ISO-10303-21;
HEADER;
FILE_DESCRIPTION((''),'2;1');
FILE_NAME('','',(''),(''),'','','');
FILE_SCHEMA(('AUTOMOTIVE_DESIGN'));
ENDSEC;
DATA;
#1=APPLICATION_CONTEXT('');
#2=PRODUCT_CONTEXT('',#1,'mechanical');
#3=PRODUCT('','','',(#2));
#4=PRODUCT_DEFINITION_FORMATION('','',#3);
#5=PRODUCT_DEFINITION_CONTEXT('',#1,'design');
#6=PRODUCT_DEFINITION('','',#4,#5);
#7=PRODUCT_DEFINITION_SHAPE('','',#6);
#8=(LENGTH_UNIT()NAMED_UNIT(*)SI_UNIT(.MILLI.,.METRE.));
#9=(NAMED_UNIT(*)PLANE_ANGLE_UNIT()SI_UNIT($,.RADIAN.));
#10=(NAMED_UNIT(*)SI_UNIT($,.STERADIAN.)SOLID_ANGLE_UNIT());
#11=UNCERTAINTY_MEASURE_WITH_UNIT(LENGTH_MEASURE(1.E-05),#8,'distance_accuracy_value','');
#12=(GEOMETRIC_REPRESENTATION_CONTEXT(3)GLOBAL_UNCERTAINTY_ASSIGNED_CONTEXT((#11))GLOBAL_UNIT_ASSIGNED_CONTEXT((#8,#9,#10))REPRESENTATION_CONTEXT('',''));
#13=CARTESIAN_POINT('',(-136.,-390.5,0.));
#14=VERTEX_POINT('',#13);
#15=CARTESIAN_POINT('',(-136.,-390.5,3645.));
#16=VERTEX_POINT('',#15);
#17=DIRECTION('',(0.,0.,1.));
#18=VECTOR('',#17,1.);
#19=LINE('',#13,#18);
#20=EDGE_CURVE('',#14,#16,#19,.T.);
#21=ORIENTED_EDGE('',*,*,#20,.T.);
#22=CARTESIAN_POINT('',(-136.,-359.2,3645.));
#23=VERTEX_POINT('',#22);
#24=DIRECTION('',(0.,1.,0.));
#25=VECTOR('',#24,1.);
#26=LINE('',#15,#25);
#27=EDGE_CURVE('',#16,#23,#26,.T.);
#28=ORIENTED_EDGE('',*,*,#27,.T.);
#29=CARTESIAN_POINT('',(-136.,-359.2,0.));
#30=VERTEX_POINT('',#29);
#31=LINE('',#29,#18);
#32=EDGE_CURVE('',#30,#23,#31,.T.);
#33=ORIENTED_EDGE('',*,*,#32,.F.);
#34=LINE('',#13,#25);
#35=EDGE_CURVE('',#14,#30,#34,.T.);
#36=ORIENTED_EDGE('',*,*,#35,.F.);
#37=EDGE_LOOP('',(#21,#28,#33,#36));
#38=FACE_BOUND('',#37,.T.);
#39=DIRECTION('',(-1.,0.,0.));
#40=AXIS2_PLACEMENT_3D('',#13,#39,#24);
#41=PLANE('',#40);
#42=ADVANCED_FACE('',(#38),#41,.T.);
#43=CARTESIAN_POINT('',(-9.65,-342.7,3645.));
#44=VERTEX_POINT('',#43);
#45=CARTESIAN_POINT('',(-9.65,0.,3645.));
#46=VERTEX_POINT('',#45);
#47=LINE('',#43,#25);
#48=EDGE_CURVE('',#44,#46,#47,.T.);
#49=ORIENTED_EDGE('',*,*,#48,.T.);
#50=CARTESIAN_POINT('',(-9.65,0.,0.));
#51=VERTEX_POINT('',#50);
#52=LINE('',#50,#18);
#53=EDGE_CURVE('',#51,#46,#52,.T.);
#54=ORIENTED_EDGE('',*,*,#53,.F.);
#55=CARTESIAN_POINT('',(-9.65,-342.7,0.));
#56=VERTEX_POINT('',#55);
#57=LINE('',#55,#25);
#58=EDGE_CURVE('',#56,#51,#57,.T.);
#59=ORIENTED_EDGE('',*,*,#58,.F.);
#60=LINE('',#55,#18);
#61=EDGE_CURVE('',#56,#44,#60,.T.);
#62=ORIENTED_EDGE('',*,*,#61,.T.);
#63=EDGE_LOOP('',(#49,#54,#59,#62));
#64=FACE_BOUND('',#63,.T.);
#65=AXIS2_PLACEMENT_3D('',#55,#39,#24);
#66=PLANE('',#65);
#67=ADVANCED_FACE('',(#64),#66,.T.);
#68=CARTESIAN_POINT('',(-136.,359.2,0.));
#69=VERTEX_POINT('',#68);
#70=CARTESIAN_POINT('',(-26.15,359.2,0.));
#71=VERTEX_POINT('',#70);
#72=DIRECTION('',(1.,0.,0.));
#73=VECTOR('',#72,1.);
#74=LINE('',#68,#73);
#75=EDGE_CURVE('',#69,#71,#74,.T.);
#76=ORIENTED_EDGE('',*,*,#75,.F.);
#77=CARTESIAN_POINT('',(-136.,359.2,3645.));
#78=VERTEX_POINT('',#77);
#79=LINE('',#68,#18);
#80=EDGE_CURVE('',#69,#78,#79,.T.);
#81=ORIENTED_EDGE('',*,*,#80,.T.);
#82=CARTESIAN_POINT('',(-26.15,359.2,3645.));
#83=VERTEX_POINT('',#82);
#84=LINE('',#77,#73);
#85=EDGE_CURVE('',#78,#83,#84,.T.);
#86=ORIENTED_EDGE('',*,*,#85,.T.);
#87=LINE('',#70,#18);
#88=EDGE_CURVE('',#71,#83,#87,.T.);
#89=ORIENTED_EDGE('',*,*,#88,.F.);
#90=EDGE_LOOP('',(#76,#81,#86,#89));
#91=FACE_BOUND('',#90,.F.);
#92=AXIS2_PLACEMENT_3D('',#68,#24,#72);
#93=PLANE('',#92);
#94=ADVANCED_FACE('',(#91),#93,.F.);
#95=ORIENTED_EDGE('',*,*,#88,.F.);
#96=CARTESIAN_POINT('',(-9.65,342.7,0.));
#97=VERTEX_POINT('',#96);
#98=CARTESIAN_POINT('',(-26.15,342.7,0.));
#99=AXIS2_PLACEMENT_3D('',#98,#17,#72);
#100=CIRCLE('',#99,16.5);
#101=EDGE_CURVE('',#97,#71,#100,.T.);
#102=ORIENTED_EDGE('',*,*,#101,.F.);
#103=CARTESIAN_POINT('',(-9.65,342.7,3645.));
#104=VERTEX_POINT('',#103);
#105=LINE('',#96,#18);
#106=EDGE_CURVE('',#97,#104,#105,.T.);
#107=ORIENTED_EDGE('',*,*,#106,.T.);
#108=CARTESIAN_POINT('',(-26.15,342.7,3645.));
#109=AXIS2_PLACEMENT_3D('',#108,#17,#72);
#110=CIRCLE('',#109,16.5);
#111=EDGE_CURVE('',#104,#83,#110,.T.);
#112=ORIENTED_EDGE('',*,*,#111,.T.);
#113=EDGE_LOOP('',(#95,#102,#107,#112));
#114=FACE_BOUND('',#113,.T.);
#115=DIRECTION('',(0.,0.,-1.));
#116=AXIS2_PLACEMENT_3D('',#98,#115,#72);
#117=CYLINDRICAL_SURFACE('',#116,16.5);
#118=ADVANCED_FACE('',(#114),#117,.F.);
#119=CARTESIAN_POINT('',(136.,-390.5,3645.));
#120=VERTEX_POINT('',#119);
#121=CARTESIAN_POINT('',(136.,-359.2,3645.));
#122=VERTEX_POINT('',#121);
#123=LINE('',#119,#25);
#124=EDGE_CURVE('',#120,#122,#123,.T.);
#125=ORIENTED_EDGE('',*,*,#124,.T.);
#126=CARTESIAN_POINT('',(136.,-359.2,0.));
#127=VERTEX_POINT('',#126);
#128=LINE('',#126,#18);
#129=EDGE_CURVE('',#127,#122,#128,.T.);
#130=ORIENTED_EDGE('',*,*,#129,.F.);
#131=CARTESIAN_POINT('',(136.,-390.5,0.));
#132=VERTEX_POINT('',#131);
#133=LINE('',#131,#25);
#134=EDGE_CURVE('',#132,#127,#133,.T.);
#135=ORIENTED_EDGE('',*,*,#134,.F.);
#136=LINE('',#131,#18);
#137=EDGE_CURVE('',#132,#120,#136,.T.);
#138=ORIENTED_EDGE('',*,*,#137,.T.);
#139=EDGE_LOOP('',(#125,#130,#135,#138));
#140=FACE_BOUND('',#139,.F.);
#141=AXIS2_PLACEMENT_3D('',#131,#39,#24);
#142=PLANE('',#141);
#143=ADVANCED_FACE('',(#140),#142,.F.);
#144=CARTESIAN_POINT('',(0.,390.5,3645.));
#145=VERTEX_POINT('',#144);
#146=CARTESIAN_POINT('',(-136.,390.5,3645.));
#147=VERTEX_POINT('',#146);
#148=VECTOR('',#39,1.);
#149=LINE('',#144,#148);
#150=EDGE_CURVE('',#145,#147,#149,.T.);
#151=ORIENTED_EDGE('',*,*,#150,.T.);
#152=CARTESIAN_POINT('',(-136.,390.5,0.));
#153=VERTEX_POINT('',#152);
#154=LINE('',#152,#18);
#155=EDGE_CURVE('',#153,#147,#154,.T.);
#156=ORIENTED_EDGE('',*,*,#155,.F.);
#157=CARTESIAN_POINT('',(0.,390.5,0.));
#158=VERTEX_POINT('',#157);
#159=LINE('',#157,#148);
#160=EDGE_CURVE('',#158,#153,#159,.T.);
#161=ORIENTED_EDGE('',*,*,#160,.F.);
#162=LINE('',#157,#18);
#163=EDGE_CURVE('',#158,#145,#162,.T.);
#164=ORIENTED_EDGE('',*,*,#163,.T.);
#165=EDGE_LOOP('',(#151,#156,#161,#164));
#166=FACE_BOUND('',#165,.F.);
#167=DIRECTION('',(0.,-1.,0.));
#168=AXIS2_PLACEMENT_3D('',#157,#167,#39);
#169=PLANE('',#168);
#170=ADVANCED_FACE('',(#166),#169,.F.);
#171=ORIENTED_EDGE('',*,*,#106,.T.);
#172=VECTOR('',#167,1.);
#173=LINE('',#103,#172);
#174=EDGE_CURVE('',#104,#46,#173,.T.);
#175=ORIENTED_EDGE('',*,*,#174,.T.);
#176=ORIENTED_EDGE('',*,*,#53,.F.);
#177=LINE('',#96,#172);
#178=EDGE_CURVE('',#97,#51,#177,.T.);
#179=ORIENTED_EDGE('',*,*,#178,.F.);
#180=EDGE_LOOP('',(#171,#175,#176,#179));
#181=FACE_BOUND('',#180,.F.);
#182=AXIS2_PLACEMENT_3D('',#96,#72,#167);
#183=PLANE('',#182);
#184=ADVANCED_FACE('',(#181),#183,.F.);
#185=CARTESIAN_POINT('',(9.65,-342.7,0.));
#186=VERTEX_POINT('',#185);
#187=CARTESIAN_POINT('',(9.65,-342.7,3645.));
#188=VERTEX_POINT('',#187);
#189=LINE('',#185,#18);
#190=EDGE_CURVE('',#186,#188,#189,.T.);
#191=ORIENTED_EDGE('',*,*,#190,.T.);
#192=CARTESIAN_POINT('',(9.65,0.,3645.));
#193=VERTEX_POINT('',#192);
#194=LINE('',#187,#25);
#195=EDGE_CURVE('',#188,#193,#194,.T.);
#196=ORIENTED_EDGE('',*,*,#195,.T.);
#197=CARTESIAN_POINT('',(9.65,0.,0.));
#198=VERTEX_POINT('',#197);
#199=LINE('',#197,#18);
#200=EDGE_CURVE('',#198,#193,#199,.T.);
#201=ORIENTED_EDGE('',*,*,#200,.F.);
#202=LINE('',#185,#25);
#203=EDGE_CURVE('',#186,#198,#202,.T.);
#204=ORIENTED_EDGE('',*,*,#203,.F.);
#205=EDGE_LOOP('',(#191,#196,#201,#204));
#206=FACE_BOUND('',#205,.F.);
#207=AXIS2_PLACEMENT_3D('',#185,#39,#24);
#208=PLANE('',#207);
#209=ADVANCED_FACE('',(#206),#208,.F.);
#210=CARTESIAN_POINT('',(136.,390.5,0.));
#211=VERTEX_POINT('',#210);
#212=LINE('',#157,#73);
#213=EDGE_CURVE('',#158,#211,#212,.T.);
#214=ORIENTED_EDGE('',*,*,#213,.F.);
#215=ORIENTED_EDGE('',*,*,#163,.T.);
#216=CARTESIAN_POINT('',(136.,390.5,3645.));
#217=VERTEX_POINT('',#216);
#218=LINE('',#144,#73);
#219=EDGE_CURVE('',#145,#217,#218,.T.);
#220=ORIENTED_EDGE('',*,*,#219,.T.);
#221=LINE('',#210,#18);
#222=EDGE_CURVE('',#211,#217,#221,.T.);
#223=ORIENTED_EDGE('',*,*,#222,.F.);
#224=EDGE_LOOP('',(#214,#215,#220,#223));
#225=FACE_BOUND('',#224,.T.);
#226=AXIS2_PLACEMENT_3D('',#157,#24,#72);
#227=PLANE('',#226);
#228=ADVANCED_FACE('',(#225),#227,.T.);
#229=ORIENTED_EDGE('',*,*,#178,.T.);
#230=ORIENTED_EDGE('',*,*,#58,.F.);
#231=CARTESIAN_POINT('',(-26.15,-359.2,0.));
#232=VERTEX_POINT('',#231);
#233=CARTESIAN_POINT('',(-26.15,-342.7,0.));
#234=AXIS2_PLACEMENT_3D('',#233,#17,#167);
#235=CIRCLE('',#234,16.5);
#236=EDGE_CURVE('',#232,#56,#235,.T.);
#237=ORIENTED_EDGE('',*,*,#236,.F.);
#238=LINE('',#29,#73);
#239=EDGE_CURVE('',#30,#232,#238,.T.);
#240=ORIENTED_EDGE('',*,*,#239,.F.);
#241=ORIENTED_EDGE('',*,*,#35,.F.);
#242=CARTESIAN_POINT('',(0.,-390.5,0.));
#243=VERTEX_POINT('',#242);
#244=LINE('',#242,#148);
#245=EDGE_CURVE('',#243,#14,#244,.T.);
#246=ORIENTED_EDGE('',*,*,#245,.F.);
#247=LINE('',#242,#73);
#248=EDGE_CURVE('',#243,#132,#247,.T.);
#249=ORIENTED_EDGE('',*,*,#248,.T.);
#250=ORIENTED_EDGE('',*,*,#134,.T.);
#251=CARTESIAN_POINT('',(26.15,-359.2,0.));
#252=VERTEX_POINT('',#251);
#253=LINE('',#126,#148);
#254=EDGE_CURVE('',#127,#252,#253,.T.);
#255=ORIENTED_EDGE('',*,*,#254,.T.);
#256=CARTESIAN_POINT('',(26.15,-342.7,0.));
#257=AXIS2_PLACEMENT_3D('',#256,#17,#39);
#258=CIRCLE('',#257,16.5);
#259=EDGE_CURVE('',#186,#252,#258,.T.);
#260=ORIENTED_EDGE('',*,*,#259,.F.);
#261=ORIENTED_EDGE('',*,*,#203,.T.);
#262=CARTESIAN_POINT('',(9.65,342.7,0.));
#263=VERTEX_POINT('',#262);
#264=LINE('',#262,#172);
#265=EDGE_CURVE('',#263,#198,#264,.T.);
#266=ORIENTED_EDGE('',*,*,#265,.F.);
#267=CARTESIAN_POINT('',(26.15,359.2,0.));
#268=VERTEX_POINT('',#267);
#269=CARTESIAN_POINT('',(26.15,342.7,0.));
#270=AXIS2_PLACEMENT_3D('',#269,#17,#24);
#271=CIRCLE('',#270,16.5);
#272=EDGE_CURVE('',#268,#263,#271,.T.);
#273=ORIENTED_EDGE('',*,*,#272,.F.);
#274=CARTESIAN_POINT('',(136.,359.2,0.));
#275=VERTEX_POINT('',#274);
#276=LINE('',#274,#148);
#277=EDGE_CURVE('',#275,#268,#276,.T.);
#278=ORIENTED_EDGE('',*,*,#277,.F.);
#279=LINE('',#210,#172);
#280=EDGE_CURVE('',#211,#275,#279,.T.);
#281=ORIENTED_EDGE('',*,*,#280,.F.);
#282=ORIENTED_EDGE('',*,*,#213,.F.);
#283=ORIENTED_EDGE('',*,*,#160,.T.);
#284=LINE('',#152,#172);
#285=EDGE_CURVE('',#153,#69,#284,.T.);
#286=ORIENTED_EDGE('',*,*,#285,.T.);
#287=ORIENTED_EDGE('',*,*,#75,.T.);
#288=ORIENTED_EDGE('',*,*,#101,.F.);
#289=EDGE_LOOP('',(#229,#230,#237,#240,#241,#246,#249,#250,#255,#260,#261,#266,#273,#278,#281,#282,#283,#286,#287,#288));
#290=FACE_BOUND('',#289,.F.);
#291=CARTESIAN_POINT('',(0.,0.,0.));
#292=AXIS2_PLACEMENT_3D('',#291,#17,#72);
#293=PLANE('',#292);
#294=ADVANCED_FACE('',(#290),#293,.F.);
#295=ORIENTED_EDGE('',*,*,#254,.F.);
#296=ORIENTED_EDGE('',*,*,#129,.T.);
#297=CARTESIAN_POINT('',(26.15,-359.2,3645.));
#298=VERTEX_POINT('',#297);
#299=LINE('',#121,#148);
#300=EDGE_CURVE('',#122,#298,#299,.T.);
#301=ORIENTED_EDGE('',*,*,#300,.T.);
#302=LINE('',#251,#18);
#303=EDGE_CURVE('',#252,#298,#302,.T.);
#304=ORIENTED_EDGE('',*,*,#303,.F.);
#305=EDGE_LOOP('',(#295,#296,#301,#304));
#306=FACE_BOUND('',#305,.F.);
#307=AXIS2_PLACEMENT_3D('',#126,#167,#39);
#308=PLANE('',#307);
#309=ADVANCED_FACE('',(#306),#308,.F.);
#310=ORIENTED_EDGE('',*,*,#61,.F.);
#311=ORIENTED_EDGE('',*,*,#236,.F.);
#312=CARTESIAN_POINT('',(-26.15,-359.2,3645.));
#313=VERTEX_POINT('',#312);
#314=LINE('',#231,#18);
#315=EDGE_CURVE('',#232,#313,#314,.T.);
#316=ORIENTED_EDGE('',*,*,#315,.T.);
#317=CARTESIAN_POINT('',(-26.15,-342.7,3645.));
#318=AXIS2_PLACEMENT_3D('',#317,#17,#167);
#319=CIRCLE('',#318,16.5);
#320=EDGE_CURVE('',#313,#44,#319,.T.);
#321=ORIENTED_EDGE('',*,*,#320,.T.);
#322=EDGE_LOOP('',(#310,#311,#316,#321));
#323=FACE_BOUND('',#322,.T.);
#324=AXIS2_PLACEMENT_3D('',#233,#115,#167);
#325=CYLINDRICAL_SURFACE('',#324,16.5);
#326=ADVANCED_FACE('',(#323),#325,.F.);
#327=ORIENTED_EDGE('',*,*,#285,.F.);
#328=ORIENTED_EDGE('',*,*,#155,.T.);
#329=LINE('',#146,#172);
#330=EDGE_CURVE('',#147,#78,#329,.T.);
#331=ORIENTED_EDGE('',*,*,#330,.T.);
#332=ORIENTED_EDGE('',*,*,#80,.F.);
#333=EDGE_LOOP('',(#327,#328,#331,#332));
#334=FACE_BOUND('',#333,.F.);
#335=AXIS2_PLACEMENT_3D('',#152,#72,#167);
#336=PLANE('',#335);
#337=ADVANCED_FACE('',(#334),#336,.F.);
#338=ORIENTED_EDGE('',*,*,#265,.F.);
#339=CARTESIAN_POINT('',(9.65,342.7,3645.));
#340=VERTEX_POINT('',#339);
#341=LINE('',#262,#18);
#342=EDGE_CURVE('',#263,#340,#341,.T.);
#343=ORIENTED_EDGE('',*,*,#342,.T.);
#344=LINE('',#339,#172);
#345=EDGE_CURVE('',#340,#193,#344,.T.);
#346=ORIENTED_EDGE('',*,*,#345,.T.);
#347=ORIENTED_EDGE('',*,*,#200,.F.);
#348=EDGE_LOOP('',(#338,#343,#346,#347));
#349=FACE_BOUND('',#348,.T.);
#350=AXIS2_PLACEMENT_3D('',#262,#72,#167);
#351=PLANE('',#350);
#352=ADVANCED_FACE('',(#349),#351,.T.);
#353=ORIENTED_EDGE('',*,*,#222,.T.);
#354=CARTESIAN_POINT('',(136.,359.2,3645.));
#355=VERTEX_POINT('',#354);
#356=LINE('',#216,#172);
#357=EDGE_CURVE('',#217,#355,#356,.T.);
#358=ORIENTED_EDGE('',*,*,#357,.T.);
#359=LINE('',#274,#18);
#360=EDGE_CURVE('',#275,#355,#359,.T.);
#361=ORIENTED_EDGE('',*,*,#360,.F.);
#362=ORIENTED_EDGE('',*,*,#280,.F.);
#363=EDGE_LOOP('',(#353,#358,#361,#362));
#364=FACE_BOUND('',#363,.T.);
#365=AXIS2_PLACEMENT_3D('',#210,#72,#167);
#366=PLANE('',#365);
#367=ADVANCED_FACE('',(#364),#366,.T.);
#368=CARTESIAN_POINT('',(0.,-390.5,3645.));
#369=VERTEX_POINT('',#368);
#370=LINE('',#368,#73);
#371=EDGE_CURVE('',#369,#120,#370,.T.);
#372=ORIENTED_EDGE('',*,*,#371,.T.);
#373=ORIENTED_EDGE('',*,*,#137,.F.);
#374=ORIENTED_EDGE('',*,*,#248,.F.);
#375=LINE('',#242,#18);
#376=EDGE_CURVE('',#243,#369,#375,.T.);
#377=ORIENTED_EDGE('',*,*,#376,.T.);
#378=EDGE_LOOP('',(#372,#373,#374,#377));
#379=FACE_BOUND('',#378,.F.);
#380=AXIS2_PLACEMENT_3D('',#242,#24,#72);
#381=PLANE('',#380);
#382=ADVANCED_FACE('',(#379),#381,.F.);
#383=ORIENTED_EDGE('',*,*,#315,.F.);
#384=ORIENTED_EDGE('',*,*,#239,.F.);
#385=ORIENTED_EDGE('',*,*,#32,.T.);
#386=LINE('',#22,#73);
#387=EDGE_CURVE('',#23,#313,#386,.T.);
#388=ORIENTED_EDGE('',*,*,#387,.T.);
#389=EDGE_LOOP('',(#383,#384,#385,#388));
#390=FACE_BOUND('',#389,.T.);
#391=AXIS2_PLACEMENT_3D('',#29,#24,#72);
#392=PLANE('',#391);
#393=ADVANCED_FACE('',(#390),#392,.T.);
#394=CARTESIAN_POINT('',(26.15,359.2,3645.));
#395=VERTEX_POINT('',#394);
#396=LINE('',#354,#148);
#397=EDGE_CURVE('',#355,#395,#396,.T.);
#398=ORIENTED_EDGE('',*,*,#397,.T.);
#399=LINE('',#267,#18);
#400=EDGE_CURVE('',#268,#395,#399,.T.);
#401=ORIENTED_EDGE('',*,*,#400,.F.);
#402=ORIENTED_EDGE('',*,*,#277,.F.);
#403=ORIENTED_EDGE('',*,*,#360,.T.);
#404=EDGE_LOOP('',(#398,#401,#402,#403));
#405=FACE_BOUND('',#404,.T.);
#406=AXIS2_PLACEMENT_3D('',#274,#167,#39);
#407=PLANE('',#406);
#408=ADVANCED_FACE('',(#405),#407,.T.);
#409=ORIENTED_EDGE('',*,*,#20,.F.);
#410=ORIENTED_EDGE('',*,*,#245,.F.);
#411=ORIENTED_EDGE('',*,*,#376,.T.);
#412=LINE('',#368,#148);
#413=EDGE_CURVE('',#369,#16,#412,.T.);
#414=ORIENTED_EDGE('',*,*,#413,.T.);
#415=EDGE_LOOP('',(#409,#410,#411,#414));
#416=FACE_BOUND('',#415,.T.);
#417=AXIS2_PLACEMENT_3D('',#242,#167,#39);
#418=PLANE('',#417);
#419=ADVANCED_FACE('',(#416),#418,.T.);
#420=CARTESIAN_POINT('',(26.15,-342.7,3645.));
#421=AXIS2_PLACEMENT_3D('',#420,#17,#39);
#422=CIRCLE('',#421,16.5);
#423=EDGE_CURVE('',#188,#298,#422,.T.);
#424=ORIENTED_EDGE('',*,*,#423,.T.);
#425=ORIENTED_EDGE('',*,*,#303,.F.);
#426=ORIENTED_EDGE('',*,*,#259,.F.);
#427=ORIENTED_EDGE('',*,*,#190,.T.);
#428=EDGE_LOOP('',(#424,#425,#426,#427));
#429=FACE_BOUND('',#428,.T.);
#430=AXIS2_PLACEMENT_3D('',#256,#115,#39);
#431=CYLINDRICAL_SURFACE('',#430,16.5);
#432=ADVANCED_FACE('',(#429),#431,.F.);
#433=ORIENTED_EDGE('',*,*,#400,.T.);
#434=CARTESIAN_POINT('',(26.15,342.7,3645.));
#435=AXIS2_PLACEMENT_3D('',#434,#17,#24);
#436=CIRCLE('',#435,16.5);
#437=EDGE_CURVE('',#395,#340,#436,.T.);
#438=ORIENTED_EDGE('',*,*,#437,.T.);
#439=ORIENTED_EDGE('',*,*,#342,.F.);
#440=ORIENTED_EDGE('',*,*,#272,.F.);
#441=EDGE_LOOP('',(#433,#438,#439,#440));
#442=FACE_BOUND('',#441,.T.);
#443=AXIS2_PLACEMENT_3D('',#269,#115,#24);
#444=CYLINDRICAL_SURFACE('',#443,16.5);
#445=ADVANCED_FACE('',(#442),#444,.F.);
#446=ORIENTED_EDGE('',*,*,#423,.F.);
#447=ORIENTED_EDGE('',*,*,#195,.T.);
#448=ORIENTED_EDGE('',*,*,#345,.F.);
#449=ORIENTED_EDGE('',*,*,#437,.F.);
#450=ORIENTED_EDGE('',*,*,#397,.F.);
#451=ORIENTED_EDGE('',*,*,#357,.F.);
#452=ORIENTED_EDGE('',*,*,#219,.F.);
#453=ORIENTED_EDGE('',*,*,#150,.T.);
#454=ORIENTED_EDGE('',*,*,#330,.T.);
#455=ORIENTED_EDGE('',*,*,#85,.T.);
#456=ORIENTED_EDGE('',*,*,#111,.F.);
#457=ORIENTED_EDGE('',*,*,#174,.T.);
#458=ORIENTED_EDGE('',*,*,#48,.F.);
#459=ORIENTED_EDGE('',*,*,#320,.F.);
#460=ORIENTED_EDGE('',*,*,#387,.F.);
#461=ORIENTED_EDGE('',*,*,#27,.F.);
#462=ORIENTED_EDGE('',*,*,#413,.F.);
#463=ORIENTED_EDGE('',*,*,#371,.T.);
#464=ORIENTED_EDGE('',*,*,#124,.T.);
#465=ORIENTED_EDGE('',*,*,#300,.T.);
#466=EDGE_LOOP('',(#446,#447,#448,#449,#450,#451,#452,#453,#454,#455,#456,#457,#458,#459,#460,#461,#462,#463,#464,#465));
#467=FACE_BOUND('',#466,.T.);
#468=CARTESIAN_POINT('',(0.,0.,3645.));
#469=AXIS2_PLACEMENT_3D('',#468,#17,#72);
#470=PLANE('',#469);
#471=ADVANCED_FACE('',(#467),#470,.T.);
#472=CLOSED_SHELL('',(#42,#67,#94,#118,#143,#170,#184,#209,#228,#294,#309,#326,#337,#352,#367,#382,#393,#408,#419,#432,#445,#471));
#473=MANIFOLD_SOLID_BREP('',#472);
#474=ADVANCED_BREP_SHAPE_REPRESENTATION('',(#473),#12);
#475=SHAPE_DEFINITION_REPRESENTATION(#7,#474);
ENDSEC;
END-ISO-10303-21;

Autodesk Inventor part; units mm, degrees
ref_plane "YZ Plane" through (0, 0, 0) normal (1, 0, 0) x (0, 1, 0)
ref_plane "Start plane" through (0, 0, 0) normal (0, 0, 1) x (1, 0, 0)
ref_plane "End plane" through (0, 0, 3645) normal (0, 0, 1) x (1, 0, 0)
sketch "Sketch" plane through (0, 0, 0) normal (0, 0, 1) x (1, 0, 0)
  line L0 (-136, -390.5) -> (-136, -359.2)
  line L1 (-136, -359.2) -> (-26.15, -359.2)
  line L2 (-9.65, -342.7) -> (-9.65, 0)
  line L3 (-9.65, 0) -> (0, 0) construction
  line L4 (0, 0) -> (0, -390.5) construction
  line L5 (0, -390.5) -> (-136, -390.5)
  line L6 (-60, 0) -> (80, 0) construction
  line L7 (0, -60) -> (0, 80) construction
  line L8 (136, -390.5) -> (136, -359.2)
  line L9 (136, -359.2) -> (26.15, -359.2)
  line L10 (9.65, -342.7) -> (9.65, 0)
  line L11 (9.65, 0) -> (0, 0) construction
  line L12 (0, -390.5) -> (136, -390.5)
  line L13 (-136, 390.5) -> (-136, 359.2)
  line L14 (-136, 359.2) -> (-26.15, 359.2)
  line L15 (-9.65, 342.7) -> (-9.65, 0)
  line L16 (0, 390.5) -> (-136, 390.5)
  line L17 (136, 390.5) -> (136, 359.2)
  line L18 (136, 359.2) -> (26.15, 359.2)
  line L19 (0, 390.5) -> (136, 390.5)
  line L20 (9.65, 342.7) -> (9.65, 0)
  arc A0 (-9.65, 342.7) -> (-26.15, 359.2) centre (-26.15, 342.7) ccw
  arc A1 (26.15, 359.2) -> (9.65, 342.7) centre (26.15, 342.7) ccw
  arc A2 (9.65, -342.7) -> (26.15, -359.2) centre (26.15, -342.7) ccw
  arc A3 (-26.15, -359.2) -> (-9.65, -342.7) centre (-26.15, -342.7) ccw
  line L21 (0, 108) -> (0, -88) construction
  line L22 (-88, 0) -> (108, 0) construction
  point P0 (-9.65, -359.2)
  point P1 (9.65, -359.2)
  point P2 (-9.65, 359.2)
  point P3 (9.65, 359.2)
  dimension "d1" = 390.5
  dimension "d2" = 31.3
  dimension "d3" = 136
  dimension "d4" = 9.65
  dimension "d10" = 16.5
extrude "Body" add sketch "Sketch" along normal up to surface (3645 mm away) from surface at 0
sketch "Sketch4" plane through (0, 0, 0) normal (0, 0, 1) x (1, 0, 0)
  line L0 (0, 0) -> (10, 0)
ref_plane "Work Plane3" through (0, 0, 0) normal (0, -1, 0) x (1, 0, 0)
sketch "Sketch5" plane through (0, 0, 0) normal (0, -1, 0) x (1, 0, 0)
  line L0 (-2, 0) -> (12, 0) projected
  line L1 (-2, 3645) -> (12, 3645) projected
  dimension "d14" = 3645
equation "\"d1\" = 0.5 * G_H"
equation "\"d2\" = G_T1"
equation "\"d3\" = 0.5 * G_W"
equation "\"d4\" = 0.5 * G_T"
equation "\"d10\" = G_IR"
equation "\"d5\" = G_L"
equation "\"G_W\" = 272"
equation "\"G_H\" = 781"
equation "\"G_T\" = 19.3"
equation "\"G_T1\" = 31.3"
equation "\"G_IR\" = 16.5"
equation "\"G_L\" = d14"
equation "\"G_OFFSET_START\" = 0"
equation "\"G_OFFSET_END\" = 0"
equation "\"d12\" = G_OFFSET_END + B_L"
equation "\"B_L\" = 3645"
properties part number "AS 3679-1990 - 760 UB - 244 - 3645" material "Steel, Mild"
